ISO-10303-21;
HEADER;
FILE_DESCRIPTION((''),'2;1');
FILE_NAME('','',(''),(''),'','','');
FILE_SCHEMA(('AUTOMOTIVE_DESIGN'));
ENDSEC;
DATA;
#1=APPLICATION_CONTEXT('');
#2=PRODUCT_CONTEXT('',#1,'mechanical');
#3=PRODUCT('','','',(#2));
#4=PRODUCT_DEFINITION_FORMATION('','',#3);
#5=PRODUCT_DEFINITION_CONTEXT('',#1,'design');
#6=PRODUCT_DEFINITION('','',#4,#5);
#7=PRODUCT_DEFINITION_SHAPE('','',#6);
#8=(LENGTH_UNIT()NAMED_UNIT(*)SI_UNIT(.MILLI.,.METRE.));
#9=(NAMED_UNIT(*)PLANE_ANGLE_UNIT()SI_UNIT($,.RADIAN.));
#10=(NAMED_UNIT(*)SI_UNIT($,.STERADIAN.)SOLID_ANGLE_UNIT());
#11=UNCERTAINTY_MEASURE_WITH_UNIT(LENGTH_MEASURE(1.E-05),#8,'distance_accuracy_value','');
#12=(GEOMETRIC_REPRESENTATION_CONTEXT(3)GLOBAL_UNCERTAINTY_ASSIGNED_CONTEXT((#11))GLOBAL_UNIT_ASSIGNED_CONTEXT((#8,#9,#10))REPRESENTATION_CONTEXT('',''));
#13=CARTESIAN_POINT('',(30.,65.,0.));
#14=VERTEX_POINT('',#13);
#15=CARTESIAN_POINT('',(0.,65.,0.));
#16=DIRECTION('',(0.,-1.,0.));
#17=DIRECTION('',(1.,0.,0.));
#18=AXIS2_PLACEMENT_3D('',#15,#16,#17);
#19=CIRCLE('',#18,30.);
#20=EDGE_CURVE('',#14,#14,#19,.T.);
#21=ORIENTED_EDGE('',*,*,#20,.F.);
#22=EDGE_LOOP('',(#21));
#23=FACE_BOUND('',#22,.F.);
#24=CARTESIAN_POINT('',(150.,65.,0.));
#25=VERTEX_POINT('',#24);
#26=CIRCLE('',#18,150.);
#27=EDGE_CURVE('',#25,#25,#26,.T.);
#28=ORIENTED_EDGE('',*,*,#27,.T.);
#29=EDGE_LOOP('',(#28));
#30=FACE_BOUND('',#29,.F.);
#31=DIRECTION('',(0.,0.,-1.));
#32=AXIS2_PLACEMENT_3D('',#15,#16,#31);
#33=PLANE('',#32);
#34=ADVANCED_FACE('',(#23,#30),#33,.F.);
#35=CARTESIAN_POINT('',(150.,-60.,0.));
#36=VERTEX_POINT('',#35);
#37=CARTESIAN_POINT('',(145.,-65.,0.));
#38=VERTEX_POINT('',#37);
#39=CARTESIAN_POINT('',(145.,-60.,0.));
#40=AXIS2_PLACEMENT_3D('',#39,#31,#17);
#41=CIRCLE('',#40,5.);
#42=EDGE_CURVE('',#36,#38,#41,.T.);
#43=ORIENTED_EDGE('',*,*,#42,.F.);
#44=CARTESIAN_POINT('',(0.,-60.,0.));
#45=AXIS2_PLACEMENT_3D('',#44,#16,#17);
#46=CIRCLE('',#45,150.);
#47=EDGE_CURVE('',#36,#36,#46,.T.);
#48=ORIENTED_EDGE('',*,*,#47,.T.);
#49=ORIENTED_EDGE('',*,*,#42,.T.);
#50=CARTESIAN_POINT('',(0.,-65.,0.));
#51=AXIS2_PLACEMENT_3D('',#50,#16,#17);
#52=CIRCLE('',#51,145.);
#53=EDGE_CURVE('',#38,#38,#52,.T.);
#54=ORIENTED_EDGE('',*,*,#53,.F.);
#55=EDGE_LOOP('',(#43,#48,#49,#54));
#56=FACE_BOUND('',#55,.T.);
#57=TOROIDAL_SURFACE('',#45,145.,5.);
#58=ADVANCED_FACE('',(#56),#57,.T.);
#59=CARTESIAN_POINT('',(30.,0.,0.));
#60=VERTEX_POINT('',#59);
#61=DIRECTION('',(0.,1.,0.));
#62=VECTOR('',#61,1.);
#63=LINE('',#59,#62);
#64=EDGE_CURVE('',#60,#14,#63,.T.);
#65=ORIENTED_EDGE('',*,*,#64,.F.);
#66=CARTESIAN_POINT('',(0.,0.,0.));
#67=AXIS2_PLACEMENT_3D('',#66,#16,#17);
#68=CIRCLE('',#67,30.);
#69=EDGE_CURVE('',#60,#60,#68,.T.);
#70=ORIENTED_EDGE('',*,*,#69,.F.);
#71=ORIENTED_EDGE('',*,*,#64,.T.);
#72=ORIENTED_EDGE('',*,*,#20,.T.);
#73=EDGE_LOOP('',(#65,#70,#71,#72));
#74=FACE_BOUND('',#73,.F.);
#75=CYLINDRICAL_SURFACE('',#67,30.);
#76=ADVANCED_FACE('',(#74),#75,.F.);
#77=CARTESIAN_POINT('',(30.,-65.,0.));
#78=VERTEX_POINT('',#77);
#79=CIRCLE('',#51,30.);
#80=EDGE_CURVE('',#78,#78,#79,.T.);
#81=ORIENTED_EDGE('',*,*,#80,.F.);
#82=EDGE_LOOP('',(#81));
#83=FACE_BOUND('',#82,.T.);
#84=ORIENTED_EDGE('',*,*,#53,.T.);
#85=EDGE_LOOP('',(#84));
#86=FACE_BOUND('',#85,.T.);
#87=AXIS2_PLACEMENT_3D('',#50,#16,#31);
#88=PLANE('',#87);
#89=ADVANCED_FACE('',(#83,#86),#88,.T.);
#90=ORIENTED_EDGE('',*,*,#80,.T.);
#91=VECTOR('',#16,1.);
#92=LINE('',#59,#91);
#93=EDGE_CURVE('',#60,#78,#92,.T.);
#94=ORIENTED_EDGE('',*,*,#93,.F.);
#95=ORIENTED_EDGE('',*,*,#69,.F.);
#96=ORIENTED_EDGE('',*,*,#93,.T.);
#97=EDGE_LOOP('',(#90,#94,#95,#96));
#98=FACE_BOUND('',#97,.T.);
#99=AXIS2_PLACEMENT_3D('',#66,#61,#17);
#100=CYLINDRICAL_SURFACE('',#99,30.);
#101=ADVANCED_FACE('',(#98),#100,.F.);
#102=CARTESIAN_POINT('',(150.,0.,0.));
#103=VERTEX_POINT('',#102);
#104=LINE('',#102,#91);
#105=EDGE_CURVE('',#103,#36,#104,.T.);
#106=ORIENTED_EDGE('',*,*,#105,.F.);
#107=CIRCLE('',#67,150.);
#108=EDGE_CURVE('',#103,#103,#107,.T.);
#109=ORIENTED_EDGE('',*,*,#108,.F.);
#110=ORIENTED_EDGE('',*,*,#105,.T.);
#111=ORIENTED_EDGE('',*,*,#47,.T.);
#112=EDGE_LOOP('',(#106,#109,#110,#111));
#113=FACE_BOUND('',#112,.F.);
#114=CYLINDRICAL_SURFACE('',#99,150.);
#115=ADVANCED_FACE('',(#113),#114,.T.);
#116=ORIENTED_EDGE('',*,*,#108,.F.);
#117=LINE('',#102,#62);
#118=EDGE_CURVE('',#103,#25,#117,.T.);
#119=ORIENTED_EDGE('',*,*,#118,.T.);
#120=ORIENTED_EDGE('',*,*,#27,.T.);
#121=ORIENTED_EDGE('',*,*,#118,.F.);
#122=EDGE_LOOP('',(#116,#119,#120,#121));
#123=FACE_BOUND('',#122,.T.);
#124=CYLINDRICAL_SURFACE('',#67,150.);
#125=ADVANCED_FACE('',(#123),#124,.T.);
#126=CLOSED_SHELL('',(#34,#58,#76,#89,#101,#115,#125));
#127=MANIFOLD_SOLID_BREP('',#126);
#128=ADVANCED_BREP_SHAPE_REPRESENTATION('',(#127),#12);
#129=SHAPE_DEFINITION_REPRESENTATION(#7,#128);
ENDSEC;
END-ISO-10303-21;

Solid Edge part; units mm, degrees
sketch "Sketch1" plane through (0, 0, 0) normal (0, -1, 0) x (1, 0, 0)
  circle A0 centre (0, 0) radius 30
  circle A1 centre (0, 0) radius 150
  dimension "D1" = 60
  dimension "D2" = 300
extrude "Protrusion1" add sketch "Sketch1" along normal mid plane 130
fillet "Round_1" radius 5 1 edges at (-150, -65, 0)
